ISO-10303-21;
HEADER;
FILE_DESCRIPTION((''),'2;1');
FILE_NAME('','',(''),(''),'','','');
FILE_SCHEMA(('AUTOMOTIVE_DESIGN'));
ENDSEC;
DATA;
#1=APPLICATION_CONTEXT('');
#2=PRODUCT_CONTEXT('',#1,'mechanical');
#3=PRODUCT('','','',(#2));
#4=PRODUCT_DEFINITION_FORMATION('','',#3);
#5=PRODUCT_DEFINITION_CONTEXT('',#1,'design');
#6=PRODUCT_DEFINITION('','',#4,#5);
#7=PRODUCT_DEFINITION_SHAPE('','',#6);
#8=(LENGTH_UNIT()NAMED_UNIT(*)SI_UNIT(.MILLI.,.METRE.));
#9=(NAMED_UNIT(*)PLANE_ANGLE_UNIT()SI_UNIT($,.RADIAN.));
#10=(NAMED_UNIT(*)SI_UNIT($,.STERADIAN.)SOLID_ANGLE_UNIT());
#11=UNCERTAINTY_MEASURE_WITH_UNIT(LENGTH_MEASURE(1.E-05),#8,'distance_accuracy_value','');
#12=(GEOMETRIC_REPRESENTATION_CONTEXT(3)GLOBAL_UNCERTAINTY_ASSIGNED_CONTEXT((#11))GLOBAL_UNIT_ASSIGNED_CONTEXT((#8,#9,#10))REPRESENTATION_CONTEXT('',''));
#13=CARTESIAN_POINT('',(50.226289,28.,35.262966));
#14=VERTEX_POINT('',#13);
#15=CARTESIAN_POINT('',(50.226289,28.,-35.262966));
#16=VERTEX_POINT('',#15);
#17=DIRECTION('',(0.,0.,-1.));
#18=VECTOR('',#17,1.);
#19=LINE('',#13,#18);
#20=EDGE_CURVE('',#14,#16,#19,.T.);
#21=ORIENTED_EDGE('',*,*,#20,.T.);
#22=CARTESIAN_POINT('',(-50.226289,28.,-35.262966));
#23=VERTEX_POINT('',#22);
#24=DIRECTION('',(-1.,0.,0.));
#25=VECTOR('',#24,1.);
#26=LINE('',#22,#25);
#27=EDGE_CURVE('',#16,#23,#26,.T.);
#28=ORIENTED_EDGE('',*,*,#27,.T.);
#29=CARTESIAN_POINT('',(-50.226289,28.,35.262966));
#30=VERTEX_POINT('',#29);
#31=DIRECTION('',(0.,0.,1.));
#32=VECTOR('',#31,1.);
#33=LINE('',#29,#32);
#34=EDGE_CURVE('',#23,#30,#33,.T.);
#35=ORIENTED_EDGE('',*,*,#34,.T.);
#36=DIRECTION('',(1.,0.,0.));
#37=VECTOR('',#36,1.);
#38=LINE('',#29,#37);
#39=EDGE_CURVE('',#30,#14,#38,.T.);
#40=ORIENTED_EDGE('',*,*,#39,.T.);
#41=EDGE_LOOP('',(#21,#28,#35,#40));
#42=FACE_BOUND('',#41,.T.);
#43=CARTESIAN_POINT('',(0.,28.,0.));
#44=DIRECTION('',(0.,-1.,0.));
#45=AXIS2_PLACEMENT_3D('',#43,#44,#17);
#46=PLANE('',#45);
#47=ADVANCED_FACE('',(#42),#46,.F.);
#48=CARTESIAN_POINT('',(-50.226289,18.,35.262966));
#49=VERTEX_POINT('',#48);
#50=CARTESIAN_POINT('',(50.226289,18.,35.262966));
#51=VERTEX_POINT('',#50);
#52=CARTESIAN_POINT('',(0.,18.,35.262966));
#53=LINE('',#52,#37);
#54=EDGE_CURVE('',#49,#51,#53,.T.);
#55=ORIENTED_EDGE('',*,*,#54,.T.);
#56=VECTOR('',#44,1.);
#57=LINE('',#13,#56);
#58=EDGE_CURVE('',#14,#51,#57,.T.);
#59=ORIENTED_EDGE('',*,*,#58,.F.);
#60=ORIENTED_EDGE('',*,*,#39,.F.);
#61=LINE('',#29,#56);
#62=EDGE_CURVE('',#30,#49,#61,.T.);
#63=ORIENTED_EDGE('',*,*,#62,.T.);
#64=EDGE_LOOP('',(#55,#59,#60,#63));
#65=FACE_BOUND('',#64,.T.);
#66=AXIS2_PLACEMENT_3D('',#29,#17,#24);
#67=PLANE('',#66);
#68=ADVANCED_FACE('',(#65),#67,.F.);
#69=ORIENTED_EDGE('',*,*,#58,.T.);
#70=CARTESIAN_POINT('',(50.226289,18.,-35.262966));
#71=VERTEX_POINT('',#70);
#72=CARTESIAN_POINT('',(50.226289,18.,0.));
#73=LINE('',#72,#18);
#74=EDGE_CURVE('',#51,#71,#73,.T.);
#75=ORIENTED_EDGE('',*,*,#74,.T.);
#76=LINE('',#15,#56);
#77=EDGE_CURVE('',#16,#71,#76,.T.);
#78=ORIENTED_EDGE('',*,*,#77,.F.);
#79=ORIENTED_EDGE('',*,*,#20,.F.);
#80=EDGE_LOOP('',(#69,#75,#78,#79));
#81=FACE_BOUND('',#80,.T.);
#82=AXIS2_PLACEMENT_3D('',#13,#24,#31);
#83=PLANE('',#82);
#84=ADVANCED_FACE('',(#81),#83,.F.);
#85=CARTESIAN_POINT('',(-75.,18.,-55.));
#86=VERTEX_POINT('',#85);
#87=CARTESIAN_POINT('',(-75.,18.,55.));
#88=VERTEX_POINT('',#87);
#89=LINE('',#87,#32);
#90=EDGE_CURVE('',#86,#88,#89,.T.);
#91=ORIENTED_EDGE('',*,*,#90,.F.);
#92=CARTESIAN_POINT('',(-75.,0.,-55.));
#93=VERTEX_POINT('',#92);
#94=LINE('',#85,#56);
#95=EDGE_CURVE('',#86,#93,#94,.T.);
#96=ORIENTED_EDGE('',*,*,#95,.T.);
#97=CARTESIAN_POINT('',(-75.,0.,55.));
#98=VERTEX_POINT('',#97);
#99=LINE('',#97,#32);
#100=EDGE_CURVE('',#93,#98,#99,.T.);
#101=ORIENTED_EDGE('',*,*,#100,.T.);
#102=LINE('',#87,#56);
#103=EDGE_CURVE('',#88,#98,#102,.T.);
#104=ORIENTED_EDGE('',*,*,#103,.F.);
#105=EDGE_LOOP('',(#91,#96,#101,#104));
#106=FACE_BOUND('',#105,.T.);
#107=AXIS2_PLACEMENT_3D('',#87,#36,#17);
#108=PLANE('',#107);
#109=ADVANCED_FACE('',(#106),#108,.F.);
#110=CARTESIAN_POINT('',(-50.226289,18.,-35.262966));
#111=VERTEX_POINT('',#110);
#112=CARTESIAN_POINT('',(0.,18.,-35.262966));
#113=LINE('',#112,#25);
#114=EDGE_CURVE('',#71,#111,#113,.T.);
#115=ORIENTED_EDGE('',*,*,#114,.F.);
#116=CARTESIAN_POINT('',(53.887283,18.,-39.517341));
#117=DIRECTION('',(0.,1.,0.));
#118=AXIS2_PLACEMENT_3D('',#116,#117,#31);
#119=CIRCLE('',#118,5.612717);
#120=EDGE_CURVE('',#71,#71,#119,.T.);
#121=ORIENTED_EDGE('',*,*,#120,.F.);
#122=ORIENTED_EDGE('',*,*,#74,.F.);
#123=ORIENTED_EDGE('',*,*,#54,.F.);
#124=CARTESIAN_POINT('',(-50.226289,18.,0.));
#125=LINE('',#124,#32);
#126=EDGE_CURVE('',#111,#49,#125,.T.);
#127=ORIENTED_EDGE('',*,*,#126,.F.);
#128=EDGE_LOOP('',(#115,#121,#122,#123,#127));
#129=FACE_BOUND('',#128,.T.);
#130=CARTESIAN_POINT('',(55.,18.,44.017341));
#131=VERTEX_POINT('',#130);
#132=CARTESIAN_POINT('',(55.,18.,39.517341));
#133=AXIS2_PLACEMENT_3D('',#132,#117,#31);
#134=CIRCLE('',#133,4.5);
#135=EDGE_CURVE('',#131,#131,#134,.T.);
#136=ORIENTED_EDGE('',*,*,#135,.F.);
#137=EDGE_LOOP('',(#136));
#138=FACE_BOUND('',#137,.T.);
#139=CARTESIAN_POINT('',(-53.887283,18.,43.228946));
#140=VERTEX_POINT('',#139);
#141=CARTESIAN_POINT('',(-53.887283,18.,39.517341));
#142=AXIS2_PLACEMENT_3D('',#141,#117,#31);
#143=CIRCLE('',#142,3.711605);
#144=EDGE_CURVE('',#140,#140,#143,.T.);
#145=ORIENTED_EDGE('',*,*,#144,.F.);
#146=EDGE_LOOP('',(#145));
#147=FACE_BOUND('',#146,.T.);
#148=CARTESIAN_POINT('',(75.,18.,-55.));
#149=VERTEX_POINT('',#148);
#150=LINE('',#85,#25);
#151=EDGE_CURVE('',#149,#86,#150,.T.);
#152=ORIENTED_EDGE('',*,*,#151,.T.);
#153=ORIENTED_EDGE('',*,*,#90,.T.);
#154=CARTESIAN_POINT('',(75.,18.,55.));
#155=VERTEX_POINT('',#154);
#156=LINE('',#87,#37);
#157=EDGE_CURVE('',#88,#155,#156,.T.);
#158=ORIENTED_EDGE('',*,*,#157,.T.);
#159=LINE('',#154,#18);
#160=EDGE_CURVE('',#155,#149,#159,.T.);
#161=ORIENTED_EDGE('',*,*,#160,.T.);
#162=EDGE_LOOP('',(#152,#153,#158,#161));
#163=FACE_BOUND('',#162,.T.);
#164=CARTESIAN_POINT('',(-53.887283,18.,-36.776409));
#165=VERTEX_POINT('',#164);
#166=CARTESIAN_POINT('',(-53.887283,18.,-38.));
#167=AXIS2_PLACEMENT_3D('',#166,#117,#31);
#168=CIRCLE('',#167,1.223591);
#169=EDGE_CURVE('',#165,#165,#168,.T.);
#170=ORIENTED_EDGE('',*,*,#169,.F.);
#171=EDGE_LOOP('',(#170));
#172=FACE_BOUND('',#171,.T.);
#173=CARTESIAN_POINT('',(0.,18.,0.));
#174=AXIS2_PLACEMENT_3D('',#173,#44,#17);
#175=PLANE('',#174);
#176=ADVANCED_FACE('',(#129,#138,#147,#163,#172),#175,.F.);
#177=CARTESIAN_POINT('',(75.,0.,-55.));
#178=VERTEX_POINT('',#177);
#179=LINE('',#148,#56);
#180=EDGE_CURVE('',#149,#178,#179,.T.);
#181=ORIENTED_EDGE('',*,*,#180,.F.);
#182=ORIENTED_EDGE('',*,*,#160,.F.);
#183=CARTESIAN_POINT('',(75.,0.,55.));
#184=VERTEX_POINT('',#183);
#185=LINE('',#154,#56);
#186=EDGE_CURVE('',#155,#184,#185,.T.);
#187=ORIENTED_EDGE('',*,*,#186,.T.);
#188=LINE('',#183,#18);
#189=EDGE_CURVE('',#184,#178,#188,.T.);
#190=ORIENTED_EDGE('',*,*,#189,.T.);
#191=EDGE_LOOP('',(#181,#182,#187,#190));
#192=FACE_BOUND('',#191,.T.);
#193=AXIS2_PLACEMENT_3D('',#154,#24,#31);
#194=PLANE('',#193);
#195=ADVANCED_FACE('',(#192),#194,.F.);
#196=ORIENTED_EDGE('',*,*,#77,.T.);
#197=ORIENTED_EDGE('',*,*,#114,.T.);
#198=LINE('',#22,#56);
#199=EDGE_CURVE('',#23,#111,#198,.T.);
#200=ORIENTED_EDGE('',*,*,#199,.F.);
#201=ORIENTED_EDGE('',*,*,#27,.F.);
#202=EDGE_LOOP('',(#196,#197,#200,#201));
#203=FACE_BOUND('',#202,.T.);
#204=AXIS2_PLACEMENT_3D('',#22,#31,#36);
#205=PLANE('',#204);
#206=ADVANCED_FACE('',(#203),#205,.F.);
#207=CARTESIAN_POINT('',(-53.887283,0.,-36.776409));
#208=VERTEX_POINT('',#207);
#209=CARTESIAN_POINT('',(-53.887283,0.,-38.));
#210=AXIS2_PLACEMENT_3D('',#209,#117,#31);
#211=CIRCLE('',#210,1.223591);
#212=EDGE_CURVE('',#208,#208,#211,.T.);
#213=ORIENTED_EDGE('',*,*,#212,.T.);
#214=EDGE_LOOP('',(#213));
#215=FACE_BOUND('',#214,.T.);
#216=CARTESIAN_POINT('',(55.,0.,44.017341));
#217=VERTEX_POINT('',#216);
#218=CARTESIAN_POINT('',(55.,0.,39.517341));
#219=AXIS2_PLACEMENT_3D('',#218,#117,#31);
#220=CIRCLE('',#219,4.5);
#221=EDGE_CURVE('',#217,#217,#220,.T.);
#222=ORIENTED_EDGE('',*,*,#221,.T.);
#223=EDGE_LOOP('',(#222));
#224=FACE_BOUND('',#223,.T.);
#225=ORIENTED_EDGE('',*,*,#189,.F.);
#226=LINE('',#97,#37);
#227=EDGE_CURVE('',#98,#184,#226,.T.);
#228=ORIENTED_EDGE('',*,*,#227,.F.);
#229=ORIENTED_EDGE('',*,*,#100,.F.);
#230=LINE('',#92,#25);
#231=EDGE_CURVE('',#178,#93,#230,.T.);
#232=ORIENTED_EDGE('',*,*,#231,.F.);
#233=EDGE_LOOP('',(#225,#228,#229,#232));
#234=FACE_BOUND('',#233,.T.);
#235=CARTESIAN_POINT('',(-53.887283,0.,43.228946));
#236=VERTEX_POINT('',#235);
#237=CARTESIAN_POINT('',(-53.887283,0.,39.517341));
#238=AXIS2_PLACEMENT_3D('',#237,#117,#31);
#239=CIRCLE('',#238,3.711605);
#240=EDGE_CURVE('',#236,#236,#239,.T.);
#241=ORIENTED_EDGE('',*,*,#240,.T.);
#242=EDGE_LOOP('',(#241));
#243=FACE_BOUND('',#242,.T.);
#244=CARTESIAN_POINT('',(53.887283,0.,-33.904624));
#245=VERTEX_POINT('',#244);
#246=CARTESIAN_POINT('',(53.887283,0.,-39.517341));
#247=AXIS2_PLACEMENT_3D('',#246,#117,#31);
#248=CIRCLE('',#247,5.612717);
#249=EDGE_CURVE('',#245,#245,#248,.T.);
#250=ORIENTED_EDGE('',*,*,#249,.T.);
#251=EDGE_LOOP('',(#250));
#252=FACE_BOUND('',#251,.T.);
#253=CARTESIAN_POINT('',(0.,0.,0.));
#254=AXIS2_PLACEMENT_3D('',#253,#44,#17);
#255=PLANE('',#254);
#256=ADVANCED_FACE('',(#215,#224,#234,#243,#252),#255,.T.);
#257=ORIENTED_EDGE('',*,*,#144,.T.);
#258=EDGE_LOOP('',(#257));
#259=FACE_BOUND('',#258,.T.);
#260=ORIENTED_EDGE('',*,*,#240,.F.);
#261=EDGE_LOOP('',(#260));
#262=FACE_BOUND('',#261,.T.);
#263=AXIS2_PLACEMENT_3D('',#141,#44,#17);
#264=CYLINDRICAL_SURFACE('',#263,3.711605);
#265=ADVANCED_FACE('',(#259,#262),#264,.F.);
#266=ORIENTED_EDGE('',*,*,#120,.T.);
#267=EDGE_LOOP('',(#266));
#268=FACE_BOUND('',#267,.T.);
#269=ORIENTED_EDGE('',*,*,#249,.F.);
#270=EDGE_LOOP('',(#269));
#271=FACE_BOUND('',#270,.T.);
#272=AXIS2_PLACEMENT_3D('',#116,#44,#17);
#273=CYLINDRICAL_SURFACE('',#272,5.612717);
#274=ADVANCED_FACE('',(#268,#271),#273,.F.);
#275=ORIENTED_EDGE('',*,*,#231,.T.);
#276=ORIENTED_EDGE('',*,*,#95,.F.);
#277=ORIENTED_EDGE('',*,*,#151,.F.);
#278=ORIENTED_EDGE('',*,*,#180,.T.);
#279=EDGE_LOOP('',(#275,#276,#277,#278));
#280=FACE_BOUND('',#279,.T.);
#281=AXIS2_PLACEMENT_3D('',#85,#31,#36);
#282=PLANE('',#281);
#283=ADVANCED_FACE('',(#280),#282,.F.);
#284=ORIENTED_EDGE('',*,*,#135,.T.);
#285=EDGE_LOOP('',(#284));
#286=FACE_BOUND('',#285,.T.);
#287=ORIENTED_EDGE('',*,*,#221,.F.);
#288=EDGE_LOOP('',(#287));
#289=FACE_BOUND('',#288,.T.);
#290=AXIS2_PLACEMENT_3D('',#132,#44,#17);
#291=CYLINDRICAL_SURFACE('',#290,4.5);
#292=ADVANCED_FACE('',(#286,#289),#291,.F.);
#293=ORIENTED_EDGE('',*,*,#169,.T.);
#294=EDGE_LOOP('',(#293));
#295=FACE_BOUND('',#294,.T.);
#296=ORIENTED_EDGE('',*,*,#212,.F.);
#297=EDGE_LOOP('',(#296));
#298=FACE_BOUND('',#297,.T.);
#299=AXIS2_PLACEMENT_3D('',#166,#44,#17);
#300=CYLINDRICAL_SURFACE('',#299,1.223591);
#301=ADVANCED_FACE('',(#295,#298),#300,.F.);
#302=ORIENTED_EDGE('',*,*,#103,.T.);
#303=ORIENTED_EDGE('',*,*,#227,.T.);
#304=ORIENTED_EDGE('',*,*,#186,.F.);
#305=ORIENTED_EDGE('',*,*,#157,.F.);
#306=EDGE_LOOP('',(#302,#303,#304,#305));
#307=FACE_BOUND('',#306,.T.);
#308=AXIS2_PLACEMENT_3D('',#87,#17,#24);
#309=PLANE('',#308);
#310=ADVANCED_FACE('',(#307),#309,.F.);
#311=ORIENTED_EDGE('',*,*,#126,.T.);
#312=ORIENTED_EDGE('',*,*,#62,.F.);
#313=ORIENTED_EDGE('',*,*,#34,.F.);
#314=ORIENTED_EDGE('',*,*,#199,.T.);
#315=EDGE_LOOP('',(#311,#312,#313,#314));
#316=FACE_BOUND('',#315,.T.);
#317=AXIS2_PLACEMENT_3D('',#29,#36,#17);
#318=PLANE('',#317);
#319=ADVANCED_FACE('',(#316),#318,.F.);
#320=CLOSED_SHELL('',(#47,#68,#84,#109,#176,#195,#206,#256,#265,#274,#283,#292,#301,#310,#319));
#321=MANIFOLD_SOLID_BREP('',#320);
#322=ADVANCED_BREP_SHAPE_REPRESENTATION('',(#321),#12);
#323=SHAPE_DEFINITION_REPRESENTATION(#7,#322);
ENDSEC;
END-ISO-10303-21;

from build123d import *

# Parameters (mm, degrees)
F_01_BASE_PROFILE_W           = 150
F_01_BASE_PROFILE_H           = 110
F_01_BASE_PROFILE_R           = 3.711604984
F_01_BASE_PROFILE_R_2         = 4.5
F_01_BASE_PROFILE_R_3         = 1.223591395
F_01_BASE_PROFILE_R_4         = 5.612716763
F_01_BASE_PROFILE_W_2         = 70
F_01_BASE_PROFILE_H_2         = 24
F_01_BASE_EXTRUDE_DEPTH       = 18
F_02_BOSS_PROFILE_W           = 100.452577252
F_02_BOSS_PROFILE_H           = 70.52593178
F_02_REINFORCEMENT_BOSS_DEPTH = 28


with BuildPart() as part:
    # 01_Base_Profile → 01_Base_Extrude (new body)
    with BuildSketch(Plane(origin=(0, 0, 0), x_dir=(1, 0, 0), z_dir=(0, 1, 0))):
        Rectangle(F_01_BASE_PROFILE_W, F_01_BASE_PROFILE_H)
        with Locations(Location((-53.887283237, -39.51734104, 0), (0, 0, 270))):
            Circle(F_01_BASE_PROFILE_R, mode=Mode.SUBTRACT)
        with Locations(Location((55, -39.51734104, 0), (0, 0, 270))):
            Circle(F_01_BASE_PROFILE_R_2, mode=Mode.SUBTRACT)
        with Locations(Location((-53.887283237, 38, 0), (0, 0, 270))):
            Circle(F_01_BASE_PROFILE_R_3, mode=Mode.SUBTRACT)
        with Locations(Location((53.887283237, 39.51734104, 0), (0, 0, 270))):
            Circle(F_01_BASE_PROFILE_R_4, mode=Mode.SUBTRACT)
        Rectangle(F_01_BASE_PROFILE_W_2, F_01_BASE_PROFILE_H_2, mode=Mode.SUBTRACT)
    extrude(amount=F_01_BASE_EXTRUDE_DEPTH)

    # 02_Boss_Profile → 02_Reinforcement_Boss (add)
    with BuildSketch(Plane(origin=(0, 0, 0), x_dir=(1, 0, 0), z_dir=(0, 1, 0))):
        Rectangle(F_02_BOSS_PROFILE_W, F_02_BOSS_PROFILE_H)
    extrude(amount=F_02_REINFORCEMENT_BOSS_DEPTH)


solid = part.part
